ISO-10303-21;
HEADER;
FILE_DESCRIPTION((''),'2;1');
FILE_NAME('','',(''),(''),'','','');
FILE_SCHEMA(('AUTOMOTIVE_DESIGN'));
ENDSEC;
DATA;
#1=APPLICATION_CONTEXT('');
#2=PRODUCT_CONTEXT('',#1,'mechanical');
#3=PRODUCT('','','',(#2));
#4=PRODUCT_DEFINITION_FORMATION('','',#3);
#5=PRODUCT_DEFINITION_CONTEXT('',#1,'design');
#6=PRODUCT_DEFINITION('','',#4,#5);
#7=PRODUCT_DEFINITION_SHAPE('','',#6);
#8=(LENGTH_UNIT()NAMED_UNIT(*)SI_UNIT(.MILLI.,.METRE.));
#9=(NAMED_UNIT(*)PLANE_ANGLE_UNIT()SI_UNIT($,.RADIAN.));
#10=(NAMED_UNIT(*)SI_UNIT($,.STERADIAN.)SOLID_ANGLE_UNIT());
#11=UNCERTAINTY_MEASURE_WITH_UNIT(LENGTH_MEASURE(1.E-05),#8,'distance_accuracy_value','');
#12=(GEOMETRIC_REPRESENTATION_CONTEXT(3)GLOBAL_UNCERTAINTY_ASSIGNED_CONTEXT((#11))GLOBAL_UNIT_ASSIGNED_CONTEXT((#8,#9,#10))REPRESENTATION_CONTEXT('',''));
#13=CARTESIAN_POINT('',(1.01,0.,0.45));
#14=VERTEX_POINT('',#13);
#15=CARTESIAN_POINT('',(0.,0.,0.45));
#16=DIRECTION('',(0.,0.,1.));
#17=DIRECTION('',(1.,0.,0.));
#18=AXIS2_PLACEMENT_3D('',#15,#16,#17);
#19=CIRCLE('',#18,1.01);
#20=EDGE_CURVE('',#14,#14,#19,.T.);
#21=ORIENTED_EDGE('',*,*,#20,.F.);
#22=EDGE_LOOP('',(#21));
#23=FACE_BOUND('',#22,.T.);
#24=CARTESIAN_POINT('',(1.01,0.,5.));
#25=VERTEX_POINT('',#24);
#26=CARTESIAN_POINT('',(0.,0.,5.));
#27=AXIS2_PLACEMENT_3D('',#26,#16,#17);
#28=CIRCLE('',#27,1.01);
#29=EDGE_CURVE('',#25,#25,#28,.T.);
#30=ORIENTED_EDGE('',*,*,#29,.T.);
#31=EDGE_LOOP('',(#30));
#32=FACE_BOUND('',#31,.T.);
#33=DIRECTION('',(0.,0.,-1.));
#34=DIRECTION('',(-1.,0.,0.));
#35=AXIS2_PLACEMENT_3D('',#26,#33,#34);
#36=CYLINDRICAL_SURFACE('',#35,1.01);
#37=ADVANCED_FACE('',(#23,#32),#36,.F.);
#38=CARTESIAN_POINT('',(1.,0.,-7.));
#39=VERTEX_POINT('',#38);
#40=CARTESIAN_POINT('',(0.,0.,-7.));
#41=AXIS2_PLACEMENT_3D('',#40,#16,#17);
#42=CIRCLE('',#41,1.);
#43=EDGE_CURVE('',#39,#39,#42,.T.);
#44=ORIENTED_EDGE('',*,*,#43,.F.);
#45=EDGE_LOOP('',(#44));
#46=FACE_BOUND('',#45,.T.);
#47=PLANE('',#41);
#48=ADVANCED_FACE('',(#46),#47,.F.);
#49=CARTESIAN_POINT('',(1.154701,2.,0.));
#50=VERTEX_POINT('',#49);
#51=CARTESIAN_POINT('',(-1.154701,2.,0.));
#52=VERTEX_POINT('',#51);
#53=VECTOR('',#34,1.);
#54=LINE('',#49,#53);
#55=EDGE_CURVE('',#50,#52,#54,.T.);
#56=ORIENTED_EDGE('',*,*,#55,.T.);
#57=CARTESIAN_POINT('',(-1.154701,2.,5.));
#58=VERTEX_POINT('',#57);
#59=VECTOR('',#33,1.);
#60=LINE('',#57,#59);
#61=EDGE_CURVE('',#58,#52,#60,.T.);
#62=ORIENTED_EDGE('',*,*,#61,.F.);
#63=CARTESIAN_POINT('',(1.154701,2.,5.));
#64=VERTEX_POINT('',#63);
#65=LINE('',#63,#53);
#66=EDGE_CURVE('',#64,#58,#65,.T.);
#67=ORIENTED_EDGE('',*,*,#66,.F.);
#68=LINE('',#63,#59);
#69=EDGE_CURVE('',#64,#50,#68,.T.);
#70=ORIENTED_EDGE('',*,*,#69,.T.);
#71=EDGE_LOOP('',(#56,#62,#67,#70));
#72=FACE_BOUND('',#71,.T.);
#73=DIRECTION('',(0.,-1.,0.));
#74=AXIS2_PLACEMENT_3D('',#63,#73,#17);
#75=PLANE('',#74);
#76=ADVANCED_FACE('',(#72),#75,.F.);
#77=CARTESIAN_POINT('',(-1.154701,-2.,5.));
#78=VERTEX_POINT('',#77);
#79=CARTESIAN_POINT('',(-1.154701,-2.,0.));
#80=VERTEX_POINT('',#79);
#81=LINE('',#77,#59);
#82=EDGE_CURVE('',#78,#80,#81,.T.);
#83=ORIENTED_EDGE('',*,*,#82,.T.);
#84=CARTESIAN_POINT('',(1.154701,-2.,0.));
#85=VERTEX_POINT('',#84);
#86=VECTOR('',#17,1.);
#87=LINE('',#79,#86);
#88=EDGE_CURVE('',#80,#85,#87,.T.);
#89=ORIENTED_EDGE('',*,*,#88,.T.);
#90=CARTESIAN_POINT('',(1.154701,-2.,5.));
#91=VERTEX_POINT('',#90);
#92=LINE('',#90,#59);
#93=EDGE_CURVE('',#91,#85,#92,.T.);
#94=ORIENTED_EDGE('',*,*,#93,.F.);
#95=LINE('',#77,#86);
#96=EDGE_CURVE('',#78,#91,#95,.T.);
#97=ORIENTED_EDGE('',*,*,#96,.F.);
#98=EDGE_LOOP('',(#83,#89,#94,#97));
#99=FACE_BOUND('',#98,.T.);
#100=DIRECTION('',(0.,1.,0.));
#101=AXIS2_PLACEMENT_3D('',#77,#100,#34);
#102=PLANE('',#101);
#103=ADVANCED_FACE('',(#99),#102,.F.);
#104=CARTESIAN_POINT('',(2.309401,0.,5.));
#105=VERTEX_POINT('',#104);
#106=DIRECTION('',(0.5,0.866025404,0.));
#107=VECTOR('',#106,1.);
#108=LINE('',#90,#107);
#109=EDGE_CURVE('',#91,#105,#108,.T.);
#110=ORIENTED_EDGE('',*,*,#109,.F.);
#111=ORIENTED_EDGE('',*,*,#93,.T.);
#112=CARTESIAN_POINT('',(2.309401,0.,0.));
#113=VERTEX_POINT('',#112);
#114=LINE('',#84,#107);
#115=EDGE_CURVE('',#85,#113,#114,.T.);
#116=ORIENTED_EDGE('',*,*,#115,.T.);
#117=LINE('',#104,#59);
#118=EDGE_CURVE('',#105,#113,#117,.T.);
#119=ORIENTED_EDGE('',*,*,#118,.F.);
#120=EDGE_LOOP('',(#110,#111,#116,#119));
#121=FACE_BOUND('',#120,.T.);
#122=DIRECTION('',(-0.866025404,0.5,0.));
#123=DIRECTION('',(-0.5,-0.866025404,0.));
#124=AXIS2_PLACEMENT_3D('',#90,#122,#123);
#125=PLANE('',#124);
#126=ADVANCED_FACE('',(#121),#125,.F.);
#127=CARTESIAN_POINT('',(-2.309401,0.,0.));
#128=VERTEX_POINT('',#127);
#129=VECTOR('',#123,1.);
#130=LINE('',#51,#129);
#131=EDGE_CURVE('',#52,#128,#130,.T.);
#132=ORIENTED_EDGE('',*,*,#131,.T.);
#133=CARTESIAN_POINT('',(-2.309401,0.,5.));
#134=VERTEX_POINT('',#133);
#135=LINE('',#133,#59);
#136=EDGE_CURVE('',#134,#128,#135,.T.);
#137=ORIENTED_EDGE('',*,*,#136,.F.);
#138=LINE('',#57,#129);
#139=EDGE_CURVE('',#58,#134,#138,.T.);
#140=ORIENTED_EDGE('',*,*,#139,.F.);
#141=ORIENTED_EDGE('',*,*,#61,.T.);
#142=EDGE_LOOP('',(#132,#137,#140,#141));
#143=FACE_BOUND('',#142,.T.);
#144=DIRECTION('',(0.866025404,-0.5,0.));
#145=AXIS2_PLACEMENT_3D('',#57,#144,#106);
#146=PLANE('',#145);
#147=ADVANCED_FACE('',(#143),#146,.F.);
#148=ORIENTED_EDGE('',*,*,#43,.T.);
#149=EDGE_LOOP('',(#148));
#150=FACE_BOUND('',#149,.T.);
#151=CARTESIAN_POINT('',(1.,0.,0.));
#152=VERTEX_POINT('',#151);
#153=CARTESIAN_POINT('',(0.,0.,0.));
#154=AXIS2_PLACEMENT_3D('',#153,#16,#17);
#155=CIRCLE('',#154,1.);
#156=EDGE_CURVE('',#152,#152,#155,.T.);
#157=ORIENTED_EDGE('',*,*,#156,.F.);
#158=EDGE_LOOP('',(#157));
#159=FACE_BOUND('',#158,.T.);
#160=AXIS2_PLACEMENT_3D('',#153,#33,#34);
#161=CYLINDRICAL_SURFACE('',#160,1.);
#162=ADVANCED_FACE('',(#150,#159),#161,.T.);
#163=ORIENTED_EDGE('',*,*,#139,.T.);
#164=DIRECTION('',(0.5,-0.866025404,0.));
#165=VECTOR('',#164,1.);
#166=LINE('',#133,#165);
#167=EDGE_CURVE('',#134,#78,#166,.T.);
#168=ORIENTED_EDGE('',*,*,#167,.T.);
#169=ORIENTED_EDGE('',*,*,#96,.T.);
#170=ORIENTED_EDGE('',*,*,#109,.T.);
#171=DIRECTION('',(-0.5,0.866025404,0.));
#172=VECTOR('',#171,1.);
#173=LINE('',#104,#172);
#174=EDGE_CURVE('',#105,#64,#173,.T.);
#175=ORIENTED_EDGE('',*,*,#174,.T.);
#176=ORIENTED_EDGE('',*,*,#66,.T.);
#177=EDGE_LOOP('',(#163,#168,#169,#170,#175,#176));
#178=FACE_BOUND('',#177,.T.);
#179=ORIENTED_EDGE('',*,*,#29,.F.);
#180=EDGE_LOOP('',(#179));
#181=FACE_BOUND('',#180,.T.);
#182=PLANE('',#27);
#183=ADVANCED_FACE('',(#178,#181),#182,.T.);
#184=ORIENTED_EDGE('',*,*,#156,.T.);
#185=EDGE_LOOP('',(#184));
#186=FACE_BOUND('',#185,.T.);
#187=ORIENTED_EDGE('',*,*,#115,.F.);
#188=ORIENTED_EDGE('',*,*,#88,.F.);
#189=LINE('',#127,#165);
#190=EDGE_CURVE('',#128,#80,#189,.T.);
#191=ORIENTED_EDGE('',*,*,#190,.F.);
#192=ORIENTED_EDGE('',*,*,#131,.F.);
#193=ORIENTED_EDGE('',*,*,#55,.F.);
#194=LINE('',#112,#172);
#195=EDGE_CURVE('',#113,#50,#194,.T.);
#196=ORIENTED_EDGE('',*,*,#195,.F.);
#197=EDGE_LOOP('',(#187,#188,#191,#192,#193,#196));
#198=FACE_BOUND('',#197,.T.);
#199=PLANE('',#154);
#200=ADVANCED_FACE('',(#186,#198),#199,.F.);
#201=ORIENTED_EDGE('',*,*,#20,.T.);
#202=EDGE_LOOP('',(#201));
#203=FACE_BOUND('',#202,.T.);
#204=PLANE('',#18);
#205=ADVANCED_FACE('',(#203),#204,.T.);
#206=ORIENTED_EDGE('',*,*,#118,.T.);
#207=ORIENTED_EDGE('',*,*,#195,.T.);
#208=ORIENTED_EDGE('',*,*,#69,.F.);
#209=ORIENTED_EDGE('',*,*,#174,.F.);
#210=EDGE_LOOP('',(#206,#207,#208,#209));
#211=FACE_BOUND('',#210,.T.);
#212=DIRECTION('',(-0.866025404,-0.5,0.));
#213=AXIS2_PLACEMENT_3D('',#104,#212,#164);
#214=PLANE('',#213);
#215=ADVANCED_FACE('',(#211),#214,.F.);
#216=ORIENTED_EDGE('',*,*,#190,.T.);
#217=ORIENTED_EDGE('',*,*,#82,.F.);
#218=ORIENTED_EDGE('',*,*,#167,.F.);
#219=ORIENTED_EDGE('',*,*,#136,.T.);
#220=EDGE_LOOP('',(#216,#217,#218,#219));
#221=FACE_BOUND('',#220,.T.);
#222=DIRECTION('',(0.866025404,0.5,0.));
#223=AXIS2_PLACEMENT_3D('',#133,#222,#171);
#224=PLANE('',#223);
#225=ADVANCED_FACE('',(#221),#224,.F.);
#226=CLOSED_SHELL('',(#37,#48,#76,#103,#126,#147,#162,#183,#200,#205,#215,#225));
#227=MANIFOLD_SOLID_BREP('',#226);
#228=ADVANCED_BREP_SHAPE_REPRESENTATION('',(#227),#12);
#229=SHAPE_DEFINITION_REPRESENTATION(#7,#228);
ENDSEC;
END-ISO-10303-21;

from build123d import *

# Parameters (mm, degrees)
FEMALE_HEX_STANDOFF_SKETCH_R  = 1.01
FEMALE_HEX_STANDOFF_DEPTH     = 5
STUD_ROOT_SKETCH_R            = 1.35
STUD_ROOT_DEPTH               = 0.45
MALE_THREAD_ENVELOPE_START    = -7
MALE_THREAD_ENVELOPE_SKETCH_R = 1
MALE_THREAD_ENVELOPE_DEPTH    = 7


with BuildPart() as part:
    # Female_hex_standoff_Sketch → Female_hex_standoff (new body)
    with BuildSketch(Plane.XY):
        Polygon((2.309401077, 0), (1.154700538, 2), (-1.154700538, 2), (-2.309401077, 0), (-1.154700538, -2), (1.154700538, -2), align=None)
        Circle(FEMALE_HEX_STANDOFF_SKETCH_R, mode=Mode.SUBTRACT)
    extrude(amount=FEMALE_HEX_STANDOFF_DEPTH)

    # Stud_root_Sketch → Stud_root (add)
    with BuildSketch(Plane.XY):
        Circle(STUD_ROOT_SKETCH_R)
    extrude(amount=STUD_ROOT_DEPTH)

    # Male_thread_envelope_Sketch → Male_thread_envelope (add)
    with BuildSketch(Plane.XY.offset(MALE_THREAD_ENVELOPE_START)):
        Circle(MALE_THREAD_ENVELOPE_SKETCH_R)
    extrude(amount=MALE_THREAD_ENVELOPE_DEPTH)


solid = part.part
